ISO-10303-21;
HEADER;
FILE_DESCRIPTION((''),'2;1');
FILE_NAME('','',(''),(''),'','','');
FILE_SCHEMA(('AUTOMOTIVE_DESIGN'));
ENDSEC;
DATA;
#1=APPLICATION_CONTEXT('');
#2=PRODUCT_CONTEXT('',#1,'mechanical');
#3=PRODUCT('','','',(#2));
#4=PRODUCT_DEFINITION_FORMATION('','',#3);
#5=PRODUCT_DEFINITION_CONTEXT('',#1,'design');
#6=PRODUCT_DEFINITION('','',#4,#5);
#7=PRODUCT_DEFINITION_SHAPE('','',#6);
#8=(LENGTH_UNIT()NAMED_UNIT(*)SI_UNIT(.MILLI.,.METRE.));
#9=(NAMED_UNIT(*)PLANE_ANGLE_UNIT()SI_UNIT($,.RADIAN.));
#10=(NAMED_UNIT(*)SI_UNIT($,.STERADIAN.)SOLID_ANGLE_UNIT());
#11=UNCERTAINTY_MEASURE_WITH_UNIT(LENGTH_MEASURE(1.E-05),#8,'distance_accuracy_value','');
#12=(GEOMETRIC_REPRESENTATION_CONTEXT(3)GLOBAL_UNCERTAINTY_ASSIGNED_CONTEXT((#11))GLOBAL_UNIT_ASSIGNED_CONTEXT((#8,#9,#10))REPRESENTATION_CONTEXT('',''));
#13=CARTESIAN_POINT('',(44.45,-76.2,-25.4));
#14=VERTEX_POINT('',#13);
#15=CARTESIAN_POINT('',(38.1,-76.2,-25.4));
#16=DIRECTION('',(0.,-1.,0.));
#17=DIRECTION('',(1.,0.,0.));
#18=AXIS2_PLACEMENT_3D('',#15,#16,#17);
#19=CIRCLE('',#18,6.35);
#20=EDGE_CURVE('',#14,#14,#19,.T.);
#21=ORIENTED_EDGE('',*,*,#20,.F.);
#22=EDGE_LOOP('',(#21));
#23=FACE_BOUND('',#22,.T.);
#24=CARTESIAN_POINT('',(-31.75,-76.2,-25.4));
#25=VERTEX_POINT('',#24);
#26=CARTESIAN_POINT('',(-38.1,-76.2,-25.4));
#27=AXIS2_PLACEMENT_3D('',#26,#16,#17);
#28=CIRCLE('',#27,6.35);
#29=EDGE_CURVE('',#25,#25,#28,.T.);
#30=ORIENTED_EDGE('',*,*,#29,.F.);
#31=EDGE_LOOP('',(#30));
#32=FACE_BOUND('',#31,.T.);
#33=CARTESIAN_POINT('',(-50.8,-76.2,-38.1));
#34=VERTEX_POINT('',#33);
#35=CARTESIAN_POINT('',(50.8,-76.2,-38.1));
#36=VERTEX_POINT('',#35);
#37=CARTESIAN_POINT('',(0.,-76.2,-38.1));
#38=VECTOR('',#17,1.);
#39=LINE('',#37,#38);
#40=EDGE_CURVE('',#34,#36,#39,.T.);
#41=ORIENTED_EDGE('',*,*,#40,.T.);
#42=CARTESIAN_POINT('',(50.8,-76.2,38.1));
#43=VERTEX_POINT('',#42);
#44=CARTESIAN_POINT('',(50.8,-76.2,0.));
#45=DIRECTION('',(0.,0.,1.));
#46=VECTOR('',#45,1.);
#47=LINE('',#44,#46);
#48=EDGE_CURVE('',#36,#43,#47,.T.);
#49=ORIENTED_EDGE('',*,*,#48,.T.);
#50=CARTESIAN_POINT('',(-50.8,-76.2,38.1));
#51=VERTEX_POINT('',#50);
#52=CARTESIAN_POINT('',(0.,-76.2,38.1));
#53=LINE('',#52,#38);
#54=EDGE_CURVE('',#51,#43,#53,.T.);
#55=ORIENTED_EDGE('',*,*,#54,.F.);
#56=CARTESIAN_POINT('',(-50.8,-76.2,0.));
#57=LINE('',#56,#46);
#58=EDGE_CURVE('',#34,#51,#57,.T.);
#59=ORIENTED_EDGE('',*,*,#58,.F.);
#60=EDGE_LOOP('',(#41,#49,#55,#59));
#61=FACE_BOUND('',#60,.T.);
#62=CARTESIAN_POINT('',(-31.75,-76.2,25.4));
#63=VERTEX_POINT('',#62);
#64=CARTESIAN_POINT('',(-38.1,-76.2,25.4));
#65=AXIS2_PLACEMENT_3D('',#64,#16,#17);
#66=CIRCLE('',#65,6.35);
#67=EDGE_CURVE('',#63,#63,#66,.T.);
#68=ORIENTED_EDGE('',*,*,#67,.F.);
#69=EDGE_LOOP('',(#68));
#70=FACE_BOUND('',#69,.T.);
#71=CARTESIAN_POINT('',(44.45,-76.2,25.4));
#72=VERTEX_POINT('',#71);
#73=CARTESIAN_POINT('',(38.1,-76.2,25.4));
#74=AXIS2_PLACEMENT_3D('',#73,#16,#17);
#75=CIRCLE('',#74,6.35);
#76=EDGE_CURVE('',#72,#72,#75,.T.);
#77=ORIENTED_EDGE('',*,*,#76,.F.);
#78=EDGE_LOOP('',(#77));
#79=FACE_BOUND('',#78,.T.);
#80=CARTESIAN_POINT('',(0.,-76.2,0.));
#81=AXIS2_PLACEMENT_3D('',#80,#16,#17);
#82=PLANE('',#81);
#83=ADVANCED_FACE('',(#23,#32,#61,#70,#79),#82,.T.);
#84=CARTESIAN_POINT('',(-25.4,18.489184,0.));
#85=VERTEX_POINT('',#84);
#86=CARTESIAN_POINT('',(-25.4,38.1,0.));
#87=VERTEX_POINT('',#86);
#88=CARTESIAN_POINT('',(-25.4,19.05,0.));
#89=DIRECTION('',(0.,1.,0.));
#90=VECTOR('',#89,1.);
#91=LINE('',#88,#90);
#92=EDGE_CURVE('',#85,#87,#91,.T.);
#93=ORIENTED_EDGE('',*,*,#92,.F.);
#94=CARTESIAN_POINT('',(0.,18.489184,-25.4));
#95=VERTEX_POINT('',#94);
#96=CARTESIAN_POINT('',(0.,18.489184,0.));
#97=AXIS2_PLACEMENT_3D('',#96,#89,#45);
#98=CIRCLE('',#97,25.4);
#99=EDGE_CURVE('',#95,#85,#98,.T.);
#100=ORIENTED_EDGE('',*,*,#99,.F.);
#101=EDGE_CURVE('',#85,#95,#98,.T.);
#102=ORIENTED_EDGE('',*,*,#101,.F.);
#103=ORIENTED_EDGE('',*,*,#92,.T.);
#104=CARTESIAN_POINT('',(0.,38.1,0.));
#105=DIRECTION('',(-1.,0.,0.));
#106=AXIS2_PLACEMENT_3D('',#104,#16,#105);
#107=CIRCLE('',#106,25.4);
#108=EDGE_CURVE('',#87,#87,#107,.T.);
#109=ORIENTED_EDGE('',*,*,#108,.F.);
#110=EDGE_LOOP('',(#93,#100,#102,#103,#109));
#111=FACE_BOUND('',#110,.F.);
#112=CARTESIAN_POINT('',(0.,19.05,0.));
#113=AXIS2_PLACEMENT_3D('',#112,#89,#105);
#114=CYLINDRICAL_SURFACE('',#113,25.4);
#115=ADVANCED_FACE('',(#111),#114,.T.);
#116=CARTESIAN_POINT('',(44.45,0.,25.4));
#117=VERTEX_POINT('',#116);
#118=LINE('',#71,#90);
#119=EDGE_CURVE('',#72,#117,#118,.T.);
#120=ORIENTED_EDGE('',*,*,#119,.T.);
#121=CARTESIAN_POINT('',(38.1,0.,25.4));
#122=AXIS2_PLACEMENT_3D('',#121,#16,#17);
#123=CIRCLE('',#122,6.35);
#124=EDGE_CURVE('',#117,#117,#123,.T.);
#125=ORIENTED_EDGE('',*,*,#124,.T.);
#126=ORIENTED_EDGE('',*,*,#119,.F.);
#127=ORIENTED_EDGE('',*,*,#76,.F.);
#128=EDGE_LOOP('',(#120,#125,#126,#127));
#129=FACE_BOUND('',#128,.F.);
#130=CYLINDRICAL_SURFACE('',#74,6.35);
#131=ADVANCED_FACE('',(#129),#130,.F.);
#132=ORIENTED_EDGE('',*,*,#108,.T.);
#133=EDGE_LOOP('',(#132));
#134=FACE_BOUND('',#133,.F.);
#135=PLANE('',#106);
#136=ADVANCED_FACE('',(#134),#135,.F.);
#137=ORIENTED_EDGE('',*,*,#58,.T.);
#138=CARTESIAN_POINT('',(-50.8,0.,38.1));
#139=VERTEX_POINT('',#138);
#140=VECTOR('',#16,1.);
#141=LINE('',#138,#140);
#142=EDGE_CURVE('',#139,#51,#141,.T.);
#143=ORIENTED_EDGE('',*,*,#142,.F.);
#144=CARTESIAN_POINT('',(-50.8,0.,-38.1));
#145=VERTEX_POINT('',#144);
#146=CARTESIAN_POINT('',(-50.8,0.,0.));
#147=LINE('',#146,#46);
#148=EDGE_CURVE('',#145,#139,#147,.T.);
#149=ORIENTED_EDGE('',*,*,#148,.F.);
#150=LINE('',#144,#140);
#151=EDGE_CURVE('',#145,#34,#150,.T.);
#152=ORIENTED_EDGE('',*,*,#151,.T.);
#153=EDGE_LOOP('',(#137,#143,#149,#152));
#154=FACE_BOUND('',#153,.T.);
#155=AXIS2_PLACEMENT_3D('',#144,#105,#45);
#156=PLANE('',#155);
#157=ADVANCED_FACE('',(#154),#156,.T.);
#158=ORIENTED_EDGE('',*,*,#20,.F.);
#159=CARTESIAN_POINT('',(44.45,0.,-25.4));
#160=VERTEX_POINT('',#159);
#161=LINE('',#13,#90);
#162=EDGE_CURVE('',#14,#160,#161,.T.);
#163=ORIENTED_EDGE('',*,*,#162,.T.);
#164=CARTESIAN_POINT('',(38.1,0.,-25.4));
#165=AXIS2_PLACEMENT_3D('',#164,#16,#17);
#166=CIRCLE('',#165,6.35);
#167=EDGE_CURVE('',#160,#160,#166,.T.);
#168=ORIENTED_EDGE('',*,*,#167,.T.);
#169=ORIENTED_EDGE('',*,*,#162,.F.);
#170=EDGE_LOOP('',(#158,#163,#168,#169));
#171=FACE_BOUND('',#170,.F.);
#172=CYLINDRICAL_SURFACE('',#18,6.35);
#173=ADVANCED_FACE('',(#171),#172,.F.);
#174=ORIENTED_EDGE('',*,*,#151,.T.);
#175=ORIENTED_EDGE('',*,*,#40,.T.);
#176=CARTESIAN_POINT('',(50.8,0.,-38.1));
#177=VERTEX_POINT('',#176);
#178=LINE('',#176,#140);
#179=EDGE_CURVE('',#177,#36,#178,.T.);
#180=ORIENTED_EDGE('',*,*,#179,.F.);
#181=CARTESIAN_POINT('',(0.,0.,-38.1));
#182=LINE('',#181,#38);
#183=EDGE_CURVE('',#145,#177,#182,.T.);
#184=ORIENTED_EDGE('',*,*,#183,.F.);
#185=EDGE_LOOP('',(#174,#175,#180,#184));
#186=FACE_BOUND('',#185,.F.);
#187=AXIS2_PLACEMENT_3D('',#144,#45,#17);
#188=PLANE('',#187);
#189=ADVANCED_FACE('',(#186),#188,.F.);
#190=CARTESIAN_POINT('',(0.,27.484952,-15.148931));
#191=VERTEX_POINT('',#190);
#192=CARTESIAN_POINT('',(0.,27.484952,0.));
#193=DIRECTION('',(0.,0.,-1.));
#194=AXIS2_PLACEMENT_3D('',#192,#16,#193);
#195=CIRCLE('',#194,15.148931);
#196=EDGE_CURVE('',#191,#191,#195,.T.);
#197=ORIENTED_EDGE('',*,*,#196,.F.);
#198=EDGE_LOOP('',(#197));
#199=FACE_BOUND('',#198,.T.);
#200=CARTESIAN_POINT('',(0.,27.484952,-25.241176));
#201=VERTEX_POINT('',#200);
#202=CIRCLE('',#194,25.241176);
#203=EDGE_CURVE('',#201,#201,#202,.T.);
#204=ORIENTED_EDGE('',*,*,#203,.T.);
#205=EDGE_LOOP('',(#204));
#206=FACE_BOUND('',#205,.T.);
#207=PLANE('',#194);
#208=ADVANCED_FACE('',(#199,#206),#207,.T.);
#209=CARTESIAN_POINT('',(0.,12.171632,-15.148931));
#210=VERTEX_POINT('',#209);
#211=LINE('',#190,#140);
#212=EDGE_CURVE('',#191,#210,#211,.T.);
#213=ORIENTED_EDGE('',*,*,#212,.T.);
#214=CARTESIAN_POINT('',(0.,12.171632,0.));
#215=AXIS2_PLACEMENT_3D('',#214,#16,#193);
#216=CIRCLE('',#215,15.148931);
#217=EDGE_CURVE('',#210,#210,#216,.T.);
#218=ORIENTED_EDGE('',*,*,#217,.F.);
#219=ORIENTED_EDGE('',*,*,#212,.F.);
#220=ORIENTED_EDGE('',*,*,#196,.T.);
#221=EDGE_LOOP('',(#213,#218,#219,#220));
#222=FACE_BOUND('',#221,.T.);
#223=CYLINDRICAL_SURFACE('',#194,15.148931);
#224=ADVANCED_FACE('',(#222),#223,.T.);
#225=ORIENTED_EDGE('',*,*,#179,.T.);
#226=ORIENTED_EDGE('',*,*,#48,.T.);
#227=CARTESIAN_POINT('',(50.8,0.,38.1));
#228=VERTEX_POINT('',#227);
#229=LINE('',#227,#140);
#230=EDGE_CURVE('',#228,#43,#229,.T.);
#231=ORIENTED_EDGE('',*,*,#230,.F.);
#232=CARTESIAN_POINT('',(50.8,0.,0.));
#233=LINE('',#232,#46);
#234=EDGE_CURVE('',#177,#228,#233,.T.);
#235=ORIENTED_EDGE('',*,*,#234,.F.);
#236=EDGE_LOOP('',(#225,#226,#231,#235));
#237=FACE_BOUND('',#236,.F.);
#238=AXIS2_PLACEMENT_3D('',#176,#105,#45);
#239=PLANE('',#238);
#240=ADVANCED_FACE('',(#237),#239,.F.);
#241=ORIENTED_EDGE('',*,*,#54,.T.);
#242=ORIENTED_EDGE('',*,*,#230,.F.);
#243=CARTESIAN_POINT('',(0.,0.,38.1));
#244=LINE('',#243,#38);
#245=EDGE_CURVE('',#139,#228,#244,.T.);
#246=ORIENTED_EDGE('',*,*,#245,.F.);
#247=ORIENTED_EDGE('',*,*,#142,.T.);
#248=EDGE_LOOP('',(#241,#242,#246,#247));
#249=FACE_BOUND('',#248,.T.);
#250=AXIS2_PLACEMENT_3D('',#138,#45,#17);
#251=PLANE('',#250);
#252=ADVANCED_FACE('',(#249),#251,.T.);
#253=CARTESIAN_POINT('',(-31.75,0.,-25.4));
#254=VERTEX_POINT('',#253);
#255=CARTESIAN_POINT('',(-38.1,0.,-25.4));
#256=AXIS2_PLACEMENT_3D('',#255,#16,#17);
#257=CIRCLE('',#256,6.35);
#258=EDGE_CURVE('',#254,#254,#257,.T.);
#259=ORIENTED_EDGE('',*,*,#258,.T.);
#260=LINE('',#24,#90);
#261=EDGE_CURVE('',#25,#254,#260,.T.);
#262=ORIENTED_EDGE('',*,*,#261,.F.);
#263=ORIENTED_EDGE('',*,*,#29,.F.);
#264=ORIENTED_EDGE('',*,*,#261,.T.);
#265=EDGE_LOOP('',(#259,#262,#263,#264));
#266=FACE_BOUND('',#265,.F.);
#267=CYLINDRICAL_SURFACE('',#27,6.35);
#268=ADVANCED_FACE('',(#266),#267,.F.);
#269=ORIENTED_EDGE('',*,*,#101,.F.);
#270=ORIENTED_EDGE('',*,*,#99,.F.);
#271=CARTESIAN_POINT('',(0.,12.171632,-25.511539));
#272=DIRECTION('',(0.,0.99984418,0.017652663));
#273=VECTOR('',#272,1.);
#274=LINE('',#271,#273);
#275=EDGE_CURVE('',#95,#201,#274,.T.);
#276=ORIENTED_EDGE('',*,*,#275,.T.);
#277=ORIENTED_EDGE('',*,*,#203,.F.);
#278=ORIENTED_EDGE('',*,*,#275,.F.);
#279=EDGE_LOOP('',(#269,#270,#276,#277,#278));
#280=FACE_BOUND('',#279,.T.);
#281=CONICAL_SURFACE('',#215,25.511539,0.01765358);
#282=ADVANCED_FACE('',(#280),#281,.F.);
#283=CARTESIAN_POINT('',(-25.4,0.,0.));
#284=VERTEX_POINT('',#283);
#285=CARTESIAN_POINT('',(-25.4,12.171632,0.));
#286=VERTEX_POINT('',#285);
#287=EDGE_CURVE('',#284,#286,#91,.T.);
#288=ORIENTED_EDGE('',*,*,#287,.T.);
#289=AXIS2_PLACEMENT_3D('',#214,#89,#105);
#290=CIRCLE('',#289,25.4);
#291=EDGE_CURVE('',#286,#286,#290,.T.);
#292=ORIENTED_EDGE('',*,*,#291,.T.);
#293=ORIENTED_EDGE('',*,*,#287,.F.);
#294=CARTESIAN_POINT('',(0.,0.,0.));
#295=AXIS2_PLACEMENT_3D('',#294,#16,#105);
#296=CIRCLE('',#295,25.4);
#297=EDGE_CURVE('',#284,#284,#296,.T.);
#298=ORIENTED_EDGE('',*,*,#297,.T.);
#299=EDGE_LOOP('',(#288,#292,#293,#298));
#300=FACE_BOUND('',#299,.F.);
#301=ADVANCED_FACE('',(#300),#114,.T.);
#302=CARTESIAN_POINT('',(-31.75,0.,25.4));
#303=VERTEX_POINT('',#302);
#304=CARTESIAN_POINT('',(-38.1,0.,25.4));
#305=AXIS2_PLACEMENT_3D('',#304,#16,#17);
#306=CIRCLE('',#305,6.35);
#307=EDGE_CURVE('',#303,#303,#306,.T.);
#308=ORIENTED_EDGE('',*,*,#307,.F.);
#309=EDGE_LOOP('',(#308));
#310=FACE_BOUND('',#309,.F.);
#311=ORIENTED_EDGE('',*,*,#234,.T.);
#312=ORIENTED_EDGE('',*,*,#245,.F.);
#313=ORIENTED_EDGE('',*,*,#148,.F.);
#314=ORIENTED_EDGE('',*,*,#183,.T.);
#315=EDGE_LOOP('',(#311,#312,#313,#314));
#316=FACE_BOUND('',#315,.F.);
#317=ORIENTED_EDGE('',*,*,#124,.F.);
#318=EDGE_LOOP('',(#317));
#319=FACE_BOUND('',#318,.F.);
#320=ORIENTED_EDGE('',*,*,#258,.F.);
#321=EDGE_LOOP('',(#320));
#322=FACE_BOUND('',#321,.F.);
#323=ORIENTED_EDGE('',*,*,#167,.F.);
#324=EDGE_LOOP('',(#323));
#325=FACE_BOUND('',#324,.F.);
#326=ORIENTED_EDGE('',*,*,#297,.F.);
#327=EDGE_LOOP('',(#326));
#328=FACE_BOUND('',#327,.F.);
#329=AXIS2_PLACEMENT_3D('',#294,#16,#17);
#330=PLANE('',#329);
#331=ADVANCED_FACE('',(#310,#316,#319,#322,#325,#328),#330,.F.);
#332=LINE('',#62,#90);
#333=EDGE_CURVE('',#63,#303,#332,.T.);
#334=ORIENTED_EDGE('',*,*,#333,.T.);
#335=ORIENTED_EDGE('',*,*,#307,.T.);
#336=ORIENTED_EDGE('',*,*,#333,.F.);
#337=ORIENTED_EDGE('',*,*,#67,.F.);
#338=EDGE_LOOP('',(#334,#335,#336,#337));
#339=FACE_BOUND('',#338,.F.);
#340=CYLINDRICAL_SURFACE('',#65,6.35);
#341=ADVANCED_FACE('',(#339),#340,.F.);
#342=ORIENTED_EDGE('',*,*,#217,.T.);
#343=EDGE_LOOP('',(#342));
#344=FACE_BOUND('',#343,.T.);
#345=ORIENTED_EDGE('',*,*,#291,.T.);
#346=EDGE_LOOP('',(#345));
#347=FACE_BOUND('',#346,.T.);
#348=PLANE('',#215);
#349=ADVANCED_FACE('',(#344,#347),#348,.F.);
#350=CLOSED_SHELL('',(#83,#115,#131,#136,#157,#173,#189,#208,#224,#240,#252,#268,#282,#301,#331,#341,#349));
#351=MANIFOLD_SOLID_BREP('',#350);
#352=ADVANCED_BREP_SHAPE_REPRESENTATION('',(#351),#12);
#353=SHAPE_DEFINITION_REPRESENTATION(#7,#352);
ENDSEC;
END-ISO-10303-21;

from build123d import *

# Parameters (mm, degrees)
F0_W     = 101.6
F0_H     = 76.2
F1_DEPTH = 76.2
F2_R     = 6.35
F3_DEPTH = 76.201
F4_W     = 25.4
F4_H     = 38.1


with BuildPart() as f1:
    # F0 (on Front) → F1 (new body)
    with BuildSketch(Plane.XZ):
        Rectangle(F0_W, F0_H)
    extrude(amount=F1_DEPTH)

    # F2 (on face) → F3 (cut, through all)
    with BuildSketch(Plane.XZ.offset(76.2)):
        with Locations((-38.1, 25.4)):
            Circle(F2_R)
        with Locations((-38.1, -25.4)):
            Circle(F2_R)
        with Locations((38.1, 25.4)):
            Circle(F2_R)
        with Locations((38.1, -25.4)):
            Circle(F2_R)
    extrude(amount=-F3_DEPTH, mode=Mode.SUBTRACT)

    # F4 (on Top) → F5 (revolve)
    with BuildSketch(Plane.XY):
        with Locations((-12.7, 19.05)):
            Rectangle(F4_W, F4_H)
    revolve(axis=Axis((0, 19.05, 0), (0, -1, 0)))

    # F6 (on Right) → F7 (revolve, cut)
    with BuildSketch(Plane.YZ):
        Polygon((12.171632, -25.511539), (27.484952, -25.241176), (27.484952, -15.148931), (12.171632, -15.148931), align=None)
    revolve(axis=Axis((0, -19.153455, 0), (0, -1, 0)), mode=Mode.SUBTRACT)


solid = f1.part
